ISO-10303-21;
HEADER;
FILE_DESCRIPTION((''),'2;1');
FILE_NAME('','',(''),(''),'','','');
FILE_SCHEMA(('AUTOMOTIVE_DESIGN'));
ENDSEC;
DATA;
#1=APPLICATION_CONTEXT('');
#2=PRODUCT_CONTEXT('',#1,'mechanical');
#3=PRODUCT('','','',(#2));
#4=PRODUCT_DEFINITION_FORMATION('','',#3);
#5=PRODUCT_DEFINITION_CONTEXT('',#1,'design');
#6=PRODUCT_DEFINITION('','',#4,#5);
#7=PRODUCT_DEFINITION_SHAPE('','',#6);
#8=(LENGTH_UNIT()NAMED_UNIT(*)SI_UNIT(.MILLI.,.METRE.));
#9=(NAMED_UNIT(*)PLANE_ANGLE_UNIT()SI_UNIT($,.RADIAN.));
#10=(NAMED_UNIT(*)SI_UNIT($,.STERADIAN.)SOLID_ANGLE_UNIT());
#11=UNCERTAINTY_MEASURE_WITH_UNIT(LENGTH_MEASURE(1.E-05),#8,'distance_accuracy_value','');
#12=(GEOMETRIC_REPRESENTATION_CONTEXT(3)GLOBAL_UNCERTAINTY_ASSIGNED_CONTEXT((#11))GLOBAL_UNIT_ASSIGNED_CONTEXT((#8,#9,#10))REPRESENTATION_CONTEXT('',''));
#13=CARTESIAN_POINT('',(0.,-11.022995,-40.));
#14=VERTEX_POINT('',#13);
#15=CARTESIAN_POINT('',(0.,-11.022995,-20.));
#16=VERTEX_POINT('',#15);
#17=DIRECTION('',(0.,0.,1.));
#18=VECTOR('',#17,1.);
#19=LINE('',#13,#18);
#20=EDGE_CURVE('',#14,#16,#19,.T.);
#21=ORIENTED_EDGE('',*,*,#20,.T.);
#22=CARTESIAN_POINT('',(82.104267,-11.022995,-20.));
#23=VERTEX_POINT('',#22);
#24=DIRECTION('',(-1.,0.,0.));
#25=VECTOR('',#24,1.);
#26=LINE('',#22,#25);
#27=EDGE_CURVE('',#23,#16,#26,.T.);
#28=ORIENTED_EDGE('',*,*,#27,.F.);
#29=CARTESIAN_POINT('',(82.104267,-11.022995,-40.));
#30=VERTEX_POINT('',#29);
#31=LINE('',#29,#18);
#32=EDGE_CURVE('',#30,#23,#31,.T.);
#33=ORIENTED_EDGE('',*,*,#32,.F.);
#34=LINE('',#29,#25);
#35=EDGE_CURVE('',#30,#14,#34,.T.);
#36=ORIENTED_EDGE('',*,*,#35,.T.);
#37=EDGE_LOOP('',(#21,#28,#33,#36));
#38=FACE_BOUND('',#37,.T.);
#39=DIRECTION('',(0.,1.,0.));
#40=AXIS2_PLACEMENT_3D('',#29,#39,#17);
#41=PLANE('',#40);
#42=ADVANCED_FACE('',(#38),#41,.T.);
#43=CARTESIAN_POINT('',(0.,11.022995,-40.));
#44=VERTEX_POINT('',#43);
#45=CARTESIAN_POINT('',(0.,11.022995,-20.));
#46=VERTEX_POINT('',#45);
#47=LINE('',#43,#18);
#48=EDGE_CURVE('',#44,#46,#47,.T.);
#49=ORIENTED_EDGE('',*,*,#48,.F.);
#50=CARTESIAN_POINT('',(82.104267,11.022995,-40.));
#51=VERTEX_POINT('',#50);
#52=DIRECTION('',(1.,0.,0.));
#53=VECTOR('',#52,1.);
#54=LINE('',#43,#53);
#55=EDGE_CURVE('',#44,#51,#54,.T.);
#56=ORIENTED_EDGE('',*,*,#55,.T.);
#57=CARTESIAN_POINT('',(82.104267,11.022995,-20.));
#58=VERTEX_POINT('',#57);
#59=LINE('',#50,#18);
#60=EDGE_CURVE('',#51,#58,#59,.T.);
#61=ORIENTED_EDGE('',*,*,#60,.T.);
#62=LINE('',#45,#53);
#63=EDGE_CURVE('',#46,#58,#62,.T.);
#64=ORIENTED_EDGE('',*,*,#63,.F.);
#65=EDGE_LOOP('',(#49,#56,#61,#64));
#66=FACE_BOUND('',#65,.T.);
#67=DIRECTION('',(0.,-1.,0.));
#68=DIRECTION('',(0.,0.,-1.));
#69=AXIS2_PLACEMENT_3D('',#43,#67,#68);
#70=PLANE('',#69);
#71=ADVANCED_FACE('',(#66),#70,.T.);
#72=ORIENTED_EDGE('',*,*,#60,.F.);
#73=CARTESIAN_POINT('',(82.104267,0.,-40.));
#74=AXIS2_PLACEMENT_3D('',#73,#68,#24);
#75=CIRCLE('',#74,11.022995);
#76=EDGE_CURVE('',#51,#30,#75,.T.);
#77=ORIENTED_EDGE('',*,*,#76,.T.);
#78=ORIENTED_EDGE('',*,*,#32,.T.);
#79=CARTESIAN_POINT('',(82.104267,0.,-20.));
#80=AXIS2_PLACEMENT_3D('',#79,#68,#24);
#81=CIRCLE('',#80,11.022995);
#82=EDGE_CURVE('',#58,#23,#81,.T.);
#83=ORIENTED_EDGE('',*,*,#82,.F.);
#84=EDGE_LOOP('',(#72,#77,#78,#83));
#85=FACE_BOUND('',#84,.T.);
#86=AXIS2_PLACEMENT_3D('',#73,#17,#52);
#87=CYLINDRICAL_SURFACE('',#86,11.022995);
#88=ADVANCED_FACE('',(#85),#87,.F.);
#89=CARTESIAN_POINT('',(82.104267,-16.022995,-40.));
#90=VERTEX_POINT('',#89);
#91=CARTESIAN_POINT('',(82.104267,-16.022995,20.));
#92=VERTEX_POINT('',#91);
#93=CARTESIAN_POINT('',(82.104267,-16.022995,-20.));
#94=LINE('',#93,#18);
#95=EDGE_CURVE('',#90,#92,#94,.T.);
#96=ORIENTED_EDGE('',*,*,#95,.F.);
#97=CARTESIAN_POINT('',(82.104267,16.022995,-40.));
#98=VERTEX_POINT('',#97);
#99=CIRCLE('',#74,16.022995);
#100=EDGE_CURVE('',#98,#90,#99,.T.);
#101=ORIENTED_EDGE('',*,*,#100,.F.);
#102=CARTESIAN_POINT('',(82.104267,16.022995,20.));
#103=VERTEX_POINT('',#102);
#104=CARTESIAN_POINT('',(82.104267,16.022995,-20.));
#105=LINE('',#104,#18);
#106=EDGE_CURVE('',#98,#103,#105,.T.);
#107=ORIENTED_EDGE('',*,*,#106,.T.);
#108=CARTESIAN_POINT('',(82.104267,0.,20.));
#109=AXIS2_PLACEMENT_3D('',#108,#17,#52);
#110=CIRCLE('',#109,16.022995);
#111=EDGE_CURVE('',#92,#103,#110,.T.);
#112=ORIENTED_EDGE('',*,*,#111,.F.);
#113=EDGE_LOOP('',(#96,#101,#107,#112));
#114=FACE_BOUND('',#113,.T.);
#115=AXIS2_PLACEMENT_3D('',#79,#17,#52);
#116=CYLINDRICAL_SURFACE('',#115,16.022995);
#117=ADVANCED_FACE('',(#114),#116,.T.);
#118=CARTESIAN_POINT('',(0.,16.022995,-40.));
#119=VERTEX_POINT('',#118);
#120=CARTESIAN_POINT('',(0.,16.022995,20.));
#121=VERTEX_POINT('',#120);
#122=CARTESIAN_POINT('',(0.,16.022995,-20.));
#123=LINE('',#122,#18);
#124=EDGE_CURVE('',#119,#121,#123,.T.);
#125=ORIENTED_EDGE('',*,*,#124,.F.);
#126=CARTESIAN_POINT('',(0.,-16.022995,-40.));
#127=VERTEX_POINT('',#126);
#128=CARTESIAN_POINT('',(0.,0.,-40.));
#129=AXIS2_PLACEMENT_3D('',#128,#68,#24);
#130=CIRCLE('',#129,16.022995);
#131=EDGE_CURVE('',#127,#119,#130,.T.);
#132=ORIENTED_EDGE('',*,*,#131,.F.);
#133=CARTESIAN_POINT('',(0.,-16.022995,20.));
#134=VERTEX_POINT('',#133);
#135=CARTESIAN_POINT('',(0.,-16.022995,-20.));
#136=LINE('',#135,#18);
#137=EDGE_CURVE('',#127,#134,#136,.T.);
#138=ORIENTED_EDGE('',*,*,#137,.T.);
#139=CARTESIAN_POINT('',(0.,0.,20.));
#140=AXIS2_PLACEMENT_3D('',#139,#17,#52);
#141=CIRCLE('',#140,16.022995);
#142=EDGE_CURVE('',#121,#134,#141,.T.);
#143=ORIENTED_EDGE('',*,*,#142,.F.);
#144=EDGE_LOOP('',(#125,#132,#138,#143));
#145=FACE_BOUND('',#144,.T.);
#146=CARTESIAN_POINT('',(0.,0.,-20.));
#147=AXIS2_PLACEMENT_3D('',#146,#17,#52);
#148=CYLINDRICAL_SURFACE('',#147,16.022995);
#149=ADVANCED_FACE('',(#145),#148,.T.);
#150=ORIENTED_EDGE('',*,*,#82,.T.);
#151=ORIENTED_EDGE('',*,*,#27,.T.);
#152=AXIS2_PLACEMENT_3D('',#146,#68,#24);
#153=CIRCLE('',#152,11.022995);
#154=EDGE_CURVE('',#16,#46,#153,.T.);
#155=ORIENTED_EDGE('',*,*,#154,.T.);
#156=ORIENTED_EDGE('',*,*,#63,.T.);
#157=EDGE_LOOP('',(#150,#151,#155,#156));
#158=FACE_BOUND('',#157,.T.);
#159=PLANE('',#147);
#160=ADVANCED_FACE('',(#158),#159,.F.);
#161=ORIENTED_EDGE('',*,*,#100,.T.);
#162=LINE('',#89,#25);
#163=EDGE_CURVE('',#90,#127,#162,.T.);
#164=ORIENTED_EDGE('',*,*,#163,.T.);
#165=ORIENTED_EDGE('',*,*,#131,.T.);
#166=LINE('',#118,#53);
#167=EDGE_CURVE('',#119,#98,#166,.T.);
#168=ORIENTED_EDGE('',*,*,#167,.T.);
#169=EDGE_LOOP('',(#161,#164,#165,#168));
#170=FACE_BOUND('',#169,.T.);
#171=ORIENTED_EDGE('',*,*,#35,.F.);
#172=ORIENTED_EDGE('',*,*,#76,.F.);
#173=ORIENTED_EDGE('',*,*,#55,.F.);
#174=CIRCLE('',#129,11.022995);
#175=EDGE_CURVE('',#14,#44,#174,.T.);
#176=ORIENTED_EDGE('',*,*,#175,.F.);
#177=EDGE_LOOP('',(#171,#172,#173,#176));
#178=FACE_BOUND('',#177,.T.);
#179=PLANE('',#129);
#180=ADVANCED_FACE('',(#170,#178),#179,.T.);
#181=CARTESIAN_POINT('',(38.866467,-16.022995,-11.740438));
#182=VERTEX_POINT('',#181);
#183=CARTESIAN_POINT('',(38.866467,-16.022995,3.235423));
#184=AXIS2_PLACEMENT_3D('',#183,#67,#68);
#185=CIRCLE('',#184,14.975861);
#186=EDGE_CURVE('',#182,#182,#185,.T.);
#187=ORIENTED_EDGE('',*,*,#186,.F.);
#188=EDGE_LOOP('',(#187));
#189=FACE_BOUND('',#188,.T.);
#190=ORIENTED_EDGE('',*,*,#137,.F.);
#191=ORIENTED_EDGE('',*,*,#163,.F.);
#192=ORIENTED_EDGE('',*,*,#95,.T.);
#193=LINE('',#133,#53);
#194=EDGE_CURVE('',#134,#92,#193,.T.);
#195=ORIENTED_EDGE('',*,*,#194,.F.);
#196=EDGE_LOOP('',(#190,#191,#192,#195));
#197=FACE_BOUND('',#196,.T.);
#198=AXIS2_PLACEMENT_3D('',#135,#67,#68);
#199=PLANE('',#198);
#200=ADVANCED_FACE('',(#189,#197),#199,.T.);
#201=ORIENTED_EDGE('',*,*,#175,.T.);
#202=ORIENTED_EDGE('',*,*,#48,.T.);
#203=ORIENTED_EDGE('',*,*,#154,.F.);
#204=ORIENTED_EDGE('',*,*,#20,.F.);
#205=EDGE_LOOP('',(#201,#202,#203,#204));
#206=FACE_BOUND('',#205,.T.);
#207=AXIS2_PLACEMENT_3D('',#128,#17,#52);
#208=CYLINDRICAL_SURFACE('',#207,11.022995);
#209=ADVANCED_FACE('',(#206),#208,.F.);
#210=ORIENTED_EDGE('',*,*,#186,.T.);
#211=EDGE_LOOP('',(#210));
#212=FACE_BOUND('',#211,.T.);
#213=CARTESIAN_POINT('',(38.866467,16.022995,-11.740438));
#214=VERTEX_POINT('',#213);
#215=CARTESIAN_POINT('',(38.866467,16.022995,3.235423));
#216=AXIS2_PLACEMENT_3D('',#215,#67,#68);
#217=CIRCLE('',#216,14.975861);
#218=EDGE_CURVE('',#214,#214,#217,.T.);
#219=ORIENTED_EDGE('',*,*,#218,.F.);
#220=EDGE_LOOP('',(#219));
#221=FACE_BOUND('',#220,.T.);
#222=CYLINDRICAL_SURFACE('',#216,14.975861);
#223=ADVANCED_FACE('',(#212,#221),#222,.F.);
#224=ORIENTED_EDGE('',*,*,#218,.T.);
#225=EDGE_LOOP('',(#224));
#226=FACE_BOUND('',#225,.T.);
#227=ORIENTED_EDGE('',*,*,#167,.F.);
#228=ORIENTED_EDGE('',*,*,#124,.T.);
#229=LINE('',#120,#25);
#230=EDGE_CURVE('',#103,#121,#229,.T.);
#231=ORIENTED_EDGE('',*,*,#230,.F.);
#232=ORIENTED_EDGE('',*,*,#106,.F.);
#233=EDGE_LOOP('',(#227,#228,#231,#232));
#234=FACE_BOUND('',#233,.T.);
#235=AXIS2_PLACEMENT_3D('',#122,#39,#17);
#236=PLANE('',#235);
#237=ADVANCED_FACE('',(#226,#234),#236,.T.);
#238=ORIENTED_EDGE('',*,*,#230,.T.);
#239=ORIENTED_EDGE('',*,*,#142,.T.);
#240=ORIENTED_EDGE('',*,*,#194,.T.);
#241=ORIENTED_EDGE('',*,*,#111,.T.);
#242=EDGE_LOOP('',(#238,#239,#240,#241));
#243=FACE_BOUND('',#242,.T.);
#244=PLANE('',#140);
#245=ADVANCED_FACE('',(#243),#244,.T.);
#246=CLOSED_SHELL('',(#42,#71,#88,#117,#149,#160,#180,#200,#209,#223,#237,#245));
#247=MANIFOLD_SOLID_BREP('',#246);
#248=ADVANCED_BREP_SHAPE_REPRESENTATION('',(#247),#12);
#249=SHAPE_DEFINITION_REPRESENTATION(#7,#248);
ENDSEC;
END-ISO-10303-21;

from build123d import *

# Parameters (mm, degrees)
EXTRUDE_1_DEPTH      = 20
EXTRUDE_1_DEPTH_BACK = 20
EXTRUDE_START        = 20
EXTRUDE_1_2_DEPTH    = 20
SKETCH_3_R           = 14.975860866
CUT_EXTRUDE_1_DEPTH  = 111.706390972


with BuildPart() as part:
    # 草图1 → Extrude 1 (new, two sides: drawn at the far end of the back side and taken through both)
    with BuildSketch(Plane.XY.offset(-EXTRUDE_1_DEPTH_BACK)):
        with BuildLine():
            Line((0, 16.022995164), (82.104266624, 16.022995164))
            ThreePointArc((82.104266624, 16.022995164), (98.127261788, 0), (82.104266624, -16.022995164))
            Line((82.104266624, -16.022995164), (0, -16.022995164))
            ThreePointArc((0, -16.022995164), (-16.022995164, 0), (0, 16.022995164))
        make_face()
    extrude(amount=EXTRUDE_1_DEPTH + EXTRUDE_1_DEPTH_BACK)

    # 草图2 → Extrude 1 2 (add)
    with BuildSketch(Plane(origin=(0, 0, -20), x_dir=(-1, 0, 0), z_dir=(0, 0, -1)).offset(EXTRUDE_START)):
        with BuildLine():
            Line((-82.104266624, -16.022995164), (0, -16.022995164))
            ThreePointArc((0, -16.022995164), (16.022995164, 0), (0, 16.022995164))
            Line((0, 16.022995164), (-82.104266624, 16.022995164))
            ThreePointArc((-82.104266624, 16.022995164), (-98.127261788, 0), (-82.104266624, -16.022995164))
        make_face()
        with BuildLine():
            Line((-82.104266624, -11.022995164), (0, -11.022995164))
            ThreePointArc((0, -11.022995164), (11.022995164, 0), (0, 11.022995164))
            Line((0, 11.022995164), (-82.104266624, 11.022995164))
            ThreePointArc((-82.104266624, 11.022995164), (-93.127261788, 0), (-82.104266624, -11.022995164))
        make_face(mode=Mode.SUBTRACT)
    extrude(amount=-EXTRUDE_1_2_DEPTH)

    # 草图3 → 切除-拉伸1 (cut, through all)
    with BuildSketch(Plane.XZ.offset(16.022995164)):
        with Locations((38.866467132, 3.235422981)):
            Circle(SKETCH_3_R)
    extrude(amount=-CUT_EXTRUDE_1_DEPTH, mode=Mode.SUBTRACT)


solid = part.part
